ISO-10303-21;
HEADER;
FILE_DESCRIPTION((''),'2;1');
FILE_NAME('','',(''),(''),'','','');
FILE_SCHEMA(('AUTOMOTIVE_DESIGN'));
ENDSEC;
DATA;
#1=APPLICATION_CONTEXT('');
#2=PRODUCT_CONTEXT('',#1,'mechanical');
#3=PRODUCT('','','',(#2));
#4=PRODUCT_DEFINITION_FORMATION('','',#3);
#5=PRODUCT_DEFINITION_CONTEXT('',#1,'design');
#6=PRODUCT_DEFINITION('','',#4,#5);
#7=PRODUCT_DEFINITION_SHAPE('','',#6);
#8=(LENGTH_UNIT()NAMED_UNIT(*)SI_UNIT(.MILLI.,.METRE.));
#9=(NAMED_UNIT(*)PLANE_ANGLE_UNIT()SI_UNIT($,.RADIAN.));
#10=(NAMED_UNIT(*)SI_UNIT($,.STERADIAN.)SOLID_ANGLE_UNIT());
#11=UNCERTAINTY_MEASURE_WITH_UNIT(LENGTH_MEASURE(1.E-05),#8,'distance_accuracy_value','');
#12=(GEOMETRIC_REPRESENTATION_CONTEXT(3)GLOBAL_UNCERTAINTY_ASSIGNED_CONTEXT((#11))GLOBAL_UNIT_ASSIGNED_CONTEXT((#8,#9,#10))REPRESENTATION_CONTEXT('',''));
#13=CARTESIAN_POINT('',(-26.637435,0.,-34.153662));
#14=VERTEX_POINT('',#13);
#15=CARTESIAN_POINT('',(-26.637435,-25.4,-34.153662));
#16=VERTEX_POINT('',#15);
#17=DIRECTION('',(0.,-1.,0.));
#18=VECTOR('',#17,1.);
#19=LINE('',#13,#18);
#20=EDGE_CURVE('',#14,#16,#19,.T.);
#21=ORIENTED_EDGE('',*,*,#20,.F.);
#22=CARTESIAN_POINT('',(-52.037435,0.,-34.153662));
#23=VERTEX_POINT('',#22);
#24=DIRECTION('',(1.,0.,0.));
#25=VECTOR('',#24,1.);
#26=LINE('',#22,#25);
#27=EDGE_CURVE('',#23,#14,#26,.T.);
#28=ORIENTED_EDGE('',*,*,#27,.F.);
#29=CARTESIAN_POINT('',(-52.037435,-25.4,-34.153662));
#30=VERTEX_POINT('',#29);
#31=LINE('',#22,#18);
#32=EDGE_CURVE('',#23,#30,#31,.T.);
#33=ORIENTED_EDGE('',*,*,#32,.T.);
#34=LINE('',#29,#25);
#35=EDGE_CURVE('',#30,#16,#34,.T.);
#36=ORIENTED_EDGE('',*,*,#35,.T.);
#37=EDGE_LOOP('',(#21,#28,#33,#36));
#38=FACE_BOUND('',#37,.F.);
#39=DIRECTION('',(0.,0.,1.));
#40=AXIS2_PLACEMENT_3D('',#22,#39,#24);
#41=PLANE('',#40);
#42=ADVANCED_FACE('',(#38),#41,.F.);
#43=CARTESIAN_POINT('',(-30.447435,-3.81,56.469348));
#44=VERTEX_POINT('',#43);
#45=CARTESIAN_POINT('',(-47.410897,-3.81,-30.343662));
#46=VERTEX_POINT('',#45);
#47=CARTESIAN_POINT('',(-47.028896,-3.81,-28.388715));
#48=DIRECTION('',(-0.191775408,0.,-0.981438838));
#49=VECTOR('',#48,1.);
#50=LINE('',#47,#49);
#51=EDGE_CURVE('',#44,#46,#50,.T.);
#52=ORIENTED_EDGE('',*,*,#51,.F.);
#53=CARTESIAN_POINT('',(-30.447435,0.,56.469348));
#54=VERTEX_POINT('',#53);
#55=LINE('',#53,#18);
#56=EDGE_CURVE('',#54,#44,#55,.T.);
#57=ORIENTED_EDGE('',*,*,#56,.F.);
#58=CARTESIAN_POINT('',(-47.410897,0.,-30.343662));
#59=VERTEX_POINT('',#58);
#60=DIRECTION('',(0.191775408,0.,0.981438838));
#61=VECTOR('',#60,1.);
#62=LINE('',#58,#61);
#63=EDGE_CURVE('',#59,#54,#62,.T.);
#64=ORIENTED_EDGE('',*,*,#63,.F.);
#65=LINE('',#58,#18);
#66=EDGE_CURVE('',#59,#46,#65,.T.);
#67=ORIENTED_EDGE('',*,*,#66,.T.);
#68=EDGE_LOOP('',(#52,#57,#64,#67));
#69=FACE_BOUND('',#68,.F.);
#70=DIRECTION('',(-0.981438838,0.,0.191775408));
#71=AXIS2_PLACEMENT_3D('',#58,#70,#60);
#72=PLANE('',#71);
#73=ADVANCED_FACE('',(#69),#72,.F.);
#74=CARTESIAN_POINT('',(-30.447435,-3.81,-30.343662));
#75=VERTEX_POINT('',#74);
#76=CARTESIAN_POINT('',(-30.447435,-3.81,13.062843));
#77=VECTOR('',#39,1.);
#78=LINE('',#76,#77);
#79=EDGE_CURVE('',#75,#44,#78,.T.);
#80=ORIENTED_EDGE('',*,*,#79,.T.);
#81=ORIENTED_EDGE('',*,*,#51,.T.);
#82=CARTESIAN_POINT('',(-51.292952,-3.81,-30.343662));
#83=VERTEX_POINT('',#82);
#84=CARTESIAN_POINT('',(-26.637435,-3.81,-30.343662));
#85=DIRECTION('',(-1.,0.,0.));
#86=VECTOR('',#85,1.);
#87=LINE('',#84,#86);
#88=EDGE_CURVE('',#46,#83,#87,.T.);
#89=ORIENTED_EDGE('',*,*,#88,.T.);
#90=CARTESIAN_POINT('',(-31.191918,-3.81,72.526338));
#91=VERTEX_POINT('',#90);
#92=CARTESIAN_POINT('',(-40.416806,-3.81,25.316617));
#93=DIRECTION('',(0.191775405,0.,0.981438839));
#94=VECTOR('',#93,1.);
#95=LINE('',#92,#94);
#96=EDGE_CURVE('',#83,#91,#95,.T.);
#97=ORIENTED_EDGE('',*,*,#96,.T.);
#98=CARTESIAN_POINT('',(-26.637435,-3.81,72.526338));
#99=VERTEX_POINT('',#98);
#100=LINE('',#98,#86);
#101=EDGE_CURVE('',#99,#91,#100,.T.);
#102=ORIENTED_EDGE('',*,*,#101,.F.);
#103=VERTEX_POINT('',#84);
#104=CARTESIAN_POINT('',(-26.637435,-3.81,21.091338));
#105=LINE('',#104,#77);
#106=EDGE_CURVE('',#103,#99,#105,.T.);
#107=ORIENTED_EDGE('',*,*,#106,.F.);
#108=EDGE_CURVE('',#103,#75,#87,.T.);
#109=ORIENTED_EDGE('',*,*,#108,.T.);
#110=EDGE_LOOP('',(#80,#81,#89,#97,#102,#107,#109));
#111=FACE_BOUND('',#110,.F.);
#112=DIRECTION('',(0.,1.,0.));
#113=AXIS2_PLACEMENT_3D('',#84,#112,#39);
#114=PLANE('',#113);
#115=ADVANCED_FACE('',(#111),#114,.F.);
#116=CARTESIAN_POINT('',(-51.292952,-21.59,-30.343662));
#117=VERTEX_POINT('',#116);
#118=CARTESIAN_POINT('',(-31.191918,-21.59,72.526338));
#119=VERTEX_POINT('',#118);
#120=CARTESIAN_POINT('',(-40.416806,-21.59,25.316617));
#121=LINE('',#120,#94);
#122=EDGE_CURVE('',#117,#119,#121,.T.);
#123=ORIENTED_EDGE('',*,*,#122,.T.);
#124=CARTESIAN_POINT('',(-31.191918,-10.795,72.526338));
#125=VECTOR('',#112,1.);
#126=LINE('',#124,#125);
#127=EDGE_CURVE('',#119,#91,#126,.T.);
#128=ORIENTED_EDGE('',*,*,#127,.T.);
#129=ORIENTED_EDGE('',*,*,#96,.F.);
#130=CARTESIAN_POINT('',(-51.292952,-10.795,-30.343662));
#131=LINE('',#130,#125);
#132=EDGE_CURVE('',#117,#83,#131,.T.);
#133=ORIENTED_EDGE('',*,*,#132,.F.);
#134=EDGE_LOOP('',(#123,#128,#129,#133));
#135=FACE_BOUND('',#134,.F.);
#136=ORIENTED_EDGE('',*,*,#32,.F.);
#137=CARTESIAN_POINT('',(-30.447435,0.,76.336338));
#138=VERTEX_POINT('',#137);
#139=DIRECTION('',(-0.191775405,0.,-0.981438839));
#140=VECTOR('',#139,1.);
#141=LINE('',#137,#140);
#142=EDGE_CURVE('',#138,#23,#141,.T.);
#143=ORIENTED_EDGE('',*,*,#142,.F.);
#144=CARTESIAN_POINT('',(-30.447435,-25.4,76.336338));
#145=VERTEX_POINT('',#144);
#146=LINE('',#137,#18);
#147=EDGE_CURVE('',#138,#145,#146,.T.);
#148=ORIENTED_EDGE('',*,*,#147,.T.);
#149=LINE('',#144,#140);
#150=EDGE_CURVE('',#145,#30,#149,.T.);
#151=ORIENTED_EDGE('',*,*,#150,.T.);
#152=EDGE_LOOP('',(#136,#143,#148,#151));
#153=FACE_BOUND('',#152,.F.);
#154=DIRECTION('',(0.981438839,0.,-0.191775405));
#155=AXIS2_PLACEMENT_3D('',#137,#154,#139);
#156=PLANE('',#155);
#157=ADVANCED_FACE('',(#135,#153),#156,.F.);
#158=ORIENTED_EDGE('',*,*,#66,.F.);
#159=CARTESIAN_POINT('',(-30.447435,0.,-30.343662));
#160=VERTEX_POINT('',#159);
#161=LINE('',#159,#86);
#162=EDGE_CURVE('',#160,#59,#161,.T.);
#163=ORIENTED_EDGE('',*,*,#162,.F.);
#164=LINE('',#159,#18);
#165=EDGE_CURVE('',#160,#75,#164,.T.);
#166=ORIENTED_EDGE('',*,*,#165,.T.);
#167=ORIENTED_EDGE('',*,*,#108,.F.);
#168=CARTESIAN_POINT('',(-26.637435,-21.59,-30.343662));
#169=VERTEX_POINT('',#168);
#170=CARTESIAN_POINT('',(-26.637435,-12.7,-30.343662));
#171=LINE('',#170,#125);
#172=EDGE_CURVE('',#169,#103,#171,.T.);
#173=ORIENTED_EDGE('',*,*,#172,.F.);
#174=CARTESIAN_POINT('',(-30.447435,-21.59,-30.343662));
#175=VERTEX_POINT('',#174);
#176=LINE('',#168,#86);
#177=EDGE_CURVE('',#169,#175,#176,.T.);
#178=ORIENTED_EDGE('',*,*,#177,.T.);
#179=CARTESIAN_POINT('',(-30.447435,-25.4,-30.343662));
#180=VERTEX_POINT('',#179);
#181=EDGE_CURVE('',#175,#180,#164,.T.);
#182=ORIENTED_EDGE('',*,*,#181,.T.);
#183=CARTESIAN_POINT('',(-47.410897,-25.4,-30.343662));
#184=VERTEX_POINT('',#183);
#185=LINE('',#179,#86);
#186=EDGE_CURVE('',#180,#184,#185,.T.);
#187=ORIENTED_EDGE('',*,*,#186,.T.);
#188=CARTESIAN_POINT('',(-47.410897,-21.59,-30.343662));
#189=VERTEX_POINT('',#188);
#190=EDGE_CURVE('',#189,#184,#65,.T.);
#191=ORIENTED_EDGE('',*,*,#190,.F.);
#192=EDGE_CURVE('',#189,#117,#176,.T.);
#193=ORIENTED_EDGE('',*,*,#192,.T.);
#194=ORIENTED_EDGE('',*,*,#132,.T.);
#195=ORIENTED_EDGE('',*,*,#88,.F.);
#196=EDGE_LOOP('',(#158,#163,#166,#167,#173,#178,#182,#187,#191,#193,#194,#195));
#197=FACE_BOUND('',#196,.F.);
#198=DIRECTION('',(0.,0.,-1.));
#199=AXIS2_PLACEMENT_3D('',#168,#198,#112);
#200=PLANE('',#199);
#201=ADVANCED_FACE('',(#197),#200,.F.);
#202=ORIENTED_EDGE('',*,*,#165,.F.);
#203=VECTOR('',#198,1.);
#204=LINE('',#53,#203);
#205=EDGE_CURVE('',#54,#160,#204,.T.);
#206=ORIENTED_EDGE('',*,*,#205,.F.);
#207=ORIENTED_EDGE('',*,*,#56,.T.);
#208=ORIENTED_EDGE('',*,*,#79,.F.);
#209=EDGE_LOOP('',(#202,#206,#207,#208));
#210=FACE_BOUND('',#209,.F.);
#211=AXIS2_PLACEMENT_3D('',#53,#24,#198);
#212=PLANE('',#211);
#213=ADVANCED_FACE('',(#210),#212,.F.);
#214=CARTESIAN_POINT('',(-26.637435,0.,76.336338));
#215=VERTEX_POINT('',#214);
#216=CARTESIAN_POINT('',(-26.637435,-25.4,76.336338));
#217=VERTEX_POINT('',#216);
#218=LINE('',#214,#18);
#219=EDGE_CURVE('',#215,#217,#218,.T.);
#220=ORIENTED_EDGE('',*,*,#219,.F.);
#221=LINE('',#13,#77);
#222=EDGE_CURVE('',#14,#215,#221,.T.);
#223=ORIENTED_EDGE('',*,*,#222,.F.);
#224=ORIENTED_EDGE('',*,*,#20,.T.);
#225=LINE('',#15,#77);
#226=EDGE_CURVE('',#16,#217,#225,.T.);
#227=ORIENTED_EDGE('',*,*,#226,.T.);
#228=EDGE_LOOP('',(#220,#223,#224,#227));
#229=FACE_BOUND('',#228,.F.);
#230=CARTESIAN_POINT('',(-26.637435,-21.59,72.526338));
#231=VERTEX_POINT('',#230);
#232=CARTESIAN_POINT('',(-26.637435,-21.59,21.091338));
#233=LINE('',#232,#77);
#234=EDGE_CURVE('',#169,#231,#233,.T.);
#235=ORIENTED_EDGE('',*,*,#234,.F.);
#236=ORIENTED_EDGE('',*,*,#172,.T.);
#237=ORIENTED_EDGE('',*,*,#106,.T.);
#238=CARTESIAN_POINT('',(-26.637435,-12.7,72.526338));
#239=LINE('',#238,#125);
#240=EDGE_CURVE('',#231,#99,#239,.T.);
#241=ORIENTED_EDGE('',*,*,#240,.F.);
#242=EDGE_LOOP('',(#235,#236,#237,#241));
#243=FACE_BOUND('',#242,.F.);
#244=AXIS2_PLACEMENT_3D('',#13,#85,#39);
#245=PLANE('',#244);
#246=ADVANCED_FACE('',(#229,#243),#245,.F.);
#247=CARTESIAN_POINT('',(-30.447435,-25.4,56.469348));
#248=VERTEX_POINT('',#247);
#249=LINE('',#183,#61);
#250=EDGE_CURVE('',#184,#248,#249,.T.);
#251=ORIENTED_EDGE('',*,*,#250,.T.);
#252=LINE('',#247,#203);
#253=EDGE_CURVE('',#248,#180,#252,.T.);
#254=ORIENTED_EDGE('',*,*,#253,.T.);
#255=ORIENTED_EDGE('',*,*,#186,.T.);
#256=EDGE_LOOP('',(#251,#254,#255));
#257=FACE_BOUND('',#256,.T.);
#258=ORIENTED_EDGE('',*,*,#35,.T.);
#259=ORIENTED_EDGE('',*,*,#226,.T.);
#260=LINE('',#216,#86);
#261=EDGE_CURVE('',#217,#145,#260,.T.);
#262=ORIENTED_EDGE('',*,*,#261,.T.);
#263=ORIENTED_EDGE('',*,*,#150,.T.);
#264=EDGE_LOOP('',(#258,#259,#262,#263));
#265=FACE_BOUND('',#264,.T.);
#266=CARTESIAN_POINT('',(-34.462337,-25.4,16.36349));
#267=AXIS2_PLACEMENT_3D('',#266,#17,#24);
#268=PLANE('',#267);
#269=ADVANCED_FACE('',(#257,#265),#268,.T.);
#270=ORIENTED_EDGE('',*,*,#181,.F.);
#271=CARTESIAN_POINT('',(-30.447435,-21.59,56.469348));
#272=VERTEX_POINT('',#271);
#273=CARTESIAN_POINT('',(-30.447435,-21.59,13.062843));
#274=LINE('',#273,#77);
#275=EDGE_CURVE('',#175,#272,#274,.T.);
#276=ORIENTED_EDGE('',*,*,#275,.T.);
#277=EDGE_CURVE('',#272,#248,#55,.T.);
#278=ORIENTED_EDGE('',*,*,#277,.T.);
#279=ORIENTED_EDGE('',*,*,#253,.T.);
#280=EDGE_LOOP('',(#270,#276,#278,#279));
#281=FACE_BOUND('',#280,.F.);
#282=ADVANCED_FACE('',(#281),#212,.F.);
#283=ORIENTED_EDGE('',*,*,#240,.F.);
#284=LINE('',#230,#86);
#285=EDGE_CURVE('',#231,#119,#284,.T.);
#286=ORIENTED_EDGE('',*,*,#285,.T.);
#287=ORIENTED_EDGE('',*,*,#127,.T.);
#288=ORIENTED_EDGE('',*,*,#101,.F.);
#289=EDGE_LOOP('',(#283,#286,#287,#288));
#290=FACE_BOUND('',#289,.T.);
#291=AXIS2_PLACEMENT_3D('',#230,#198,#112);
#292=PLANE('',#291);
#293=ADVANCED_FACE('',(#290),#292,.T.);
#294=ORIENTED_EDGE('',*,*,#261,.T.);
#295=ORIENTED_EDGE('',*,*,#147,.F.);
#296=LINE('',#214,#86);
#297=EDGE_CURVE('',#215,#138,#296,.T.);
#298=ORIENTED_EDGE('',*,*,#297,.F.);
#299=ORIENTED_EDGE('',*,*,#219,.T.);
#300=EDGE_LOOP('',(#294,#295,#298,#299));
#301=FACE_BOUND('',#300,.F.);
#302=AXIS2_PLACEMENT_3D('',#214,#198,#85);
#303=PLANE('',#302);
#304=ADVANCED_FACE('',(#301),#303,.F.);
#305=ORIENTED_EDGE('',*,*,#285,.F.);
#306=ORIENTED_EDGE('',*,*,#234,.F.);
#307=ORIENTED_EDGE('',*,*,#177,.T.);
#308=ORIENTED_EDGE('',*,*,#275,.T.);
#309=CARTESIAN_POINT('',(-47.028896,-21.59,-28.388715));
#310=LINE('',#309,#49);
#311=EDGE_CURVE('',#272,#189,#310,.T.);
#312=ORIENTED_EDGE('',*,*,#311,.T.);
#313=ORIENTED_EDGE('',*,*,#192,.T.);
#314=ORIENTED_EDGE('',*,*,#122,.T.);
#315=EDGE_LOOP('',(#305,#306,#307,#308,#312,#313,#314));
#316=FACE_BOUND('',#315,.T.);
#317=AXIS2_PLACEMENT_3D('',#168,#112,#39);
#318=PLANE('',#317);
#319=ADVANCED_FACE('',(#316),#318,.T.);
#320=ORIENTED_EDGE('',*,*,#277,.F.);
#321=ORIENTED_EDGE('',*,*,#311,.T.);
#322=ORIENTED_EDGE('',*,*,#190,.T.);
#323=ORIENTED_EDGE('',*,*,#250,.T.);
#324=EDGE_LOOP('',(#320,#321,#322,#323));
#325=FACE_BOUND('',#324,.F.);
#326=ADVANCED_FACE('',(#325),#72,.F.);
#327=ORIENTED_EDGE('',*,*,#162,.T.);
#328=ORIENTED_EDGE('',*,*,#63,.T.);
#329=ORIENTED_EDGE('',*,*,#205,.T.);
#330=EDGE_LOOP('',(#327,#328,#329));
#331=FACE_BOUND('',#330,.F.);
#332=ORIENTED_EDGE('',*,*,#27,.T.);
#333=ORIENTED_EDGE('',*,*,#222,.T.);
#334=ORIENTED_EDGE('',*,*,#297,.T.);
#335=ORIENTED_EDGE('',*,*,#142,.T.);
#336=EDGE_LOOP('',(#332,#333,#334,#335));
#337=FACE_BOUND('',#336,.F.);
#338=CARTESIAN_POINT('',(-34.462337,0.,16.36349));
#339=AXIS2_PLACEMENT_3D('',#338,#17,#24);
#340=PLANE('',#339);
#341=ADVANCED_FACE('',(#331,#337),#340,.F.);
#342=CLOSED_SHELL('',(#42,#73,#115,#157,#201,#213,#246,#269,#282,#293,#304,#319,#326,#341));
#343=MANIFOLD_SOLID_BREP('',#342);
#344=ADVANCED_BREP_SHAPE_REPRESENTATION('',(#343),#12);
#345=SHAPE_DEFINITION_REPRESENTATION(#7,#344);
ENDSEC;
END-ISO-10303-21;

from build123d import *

# Parameters (mm, degrees)
F1_DEPTH = 25.4
F2_W     = 17.78
F2_H     = 102.87
F3_DEPTH = 50.8


with BuildPart() as f1:
    # F0 (on Front) → F1 (new body)
    with BuildSketch(Plane.XZ):
        Polygon((-26.637435, 76.336338), (-30.447435, 76.336338), (-52.037435, -34.153662), (-26.637435, -34.153662), align=None)
        Polygon((-47.410897, -30.343662), (-30.447435, 56.469348), (-30.447435, -30.343662), align=None, mode=Mode.SUBTRACT)
    extrude(amount=F1_DEPTH)

    # F2 (on face) → F3 (cut)
    with BuildSketch(Plane.YZ.offset(-26.637435)):
        with Locations((-12.7, 21.091338)):
            Rectangle(F2_W, F2_H)
    extrude(amount=-F3_DEPTH, mode=Mode.SUBTRACT)


solid = f1.part
